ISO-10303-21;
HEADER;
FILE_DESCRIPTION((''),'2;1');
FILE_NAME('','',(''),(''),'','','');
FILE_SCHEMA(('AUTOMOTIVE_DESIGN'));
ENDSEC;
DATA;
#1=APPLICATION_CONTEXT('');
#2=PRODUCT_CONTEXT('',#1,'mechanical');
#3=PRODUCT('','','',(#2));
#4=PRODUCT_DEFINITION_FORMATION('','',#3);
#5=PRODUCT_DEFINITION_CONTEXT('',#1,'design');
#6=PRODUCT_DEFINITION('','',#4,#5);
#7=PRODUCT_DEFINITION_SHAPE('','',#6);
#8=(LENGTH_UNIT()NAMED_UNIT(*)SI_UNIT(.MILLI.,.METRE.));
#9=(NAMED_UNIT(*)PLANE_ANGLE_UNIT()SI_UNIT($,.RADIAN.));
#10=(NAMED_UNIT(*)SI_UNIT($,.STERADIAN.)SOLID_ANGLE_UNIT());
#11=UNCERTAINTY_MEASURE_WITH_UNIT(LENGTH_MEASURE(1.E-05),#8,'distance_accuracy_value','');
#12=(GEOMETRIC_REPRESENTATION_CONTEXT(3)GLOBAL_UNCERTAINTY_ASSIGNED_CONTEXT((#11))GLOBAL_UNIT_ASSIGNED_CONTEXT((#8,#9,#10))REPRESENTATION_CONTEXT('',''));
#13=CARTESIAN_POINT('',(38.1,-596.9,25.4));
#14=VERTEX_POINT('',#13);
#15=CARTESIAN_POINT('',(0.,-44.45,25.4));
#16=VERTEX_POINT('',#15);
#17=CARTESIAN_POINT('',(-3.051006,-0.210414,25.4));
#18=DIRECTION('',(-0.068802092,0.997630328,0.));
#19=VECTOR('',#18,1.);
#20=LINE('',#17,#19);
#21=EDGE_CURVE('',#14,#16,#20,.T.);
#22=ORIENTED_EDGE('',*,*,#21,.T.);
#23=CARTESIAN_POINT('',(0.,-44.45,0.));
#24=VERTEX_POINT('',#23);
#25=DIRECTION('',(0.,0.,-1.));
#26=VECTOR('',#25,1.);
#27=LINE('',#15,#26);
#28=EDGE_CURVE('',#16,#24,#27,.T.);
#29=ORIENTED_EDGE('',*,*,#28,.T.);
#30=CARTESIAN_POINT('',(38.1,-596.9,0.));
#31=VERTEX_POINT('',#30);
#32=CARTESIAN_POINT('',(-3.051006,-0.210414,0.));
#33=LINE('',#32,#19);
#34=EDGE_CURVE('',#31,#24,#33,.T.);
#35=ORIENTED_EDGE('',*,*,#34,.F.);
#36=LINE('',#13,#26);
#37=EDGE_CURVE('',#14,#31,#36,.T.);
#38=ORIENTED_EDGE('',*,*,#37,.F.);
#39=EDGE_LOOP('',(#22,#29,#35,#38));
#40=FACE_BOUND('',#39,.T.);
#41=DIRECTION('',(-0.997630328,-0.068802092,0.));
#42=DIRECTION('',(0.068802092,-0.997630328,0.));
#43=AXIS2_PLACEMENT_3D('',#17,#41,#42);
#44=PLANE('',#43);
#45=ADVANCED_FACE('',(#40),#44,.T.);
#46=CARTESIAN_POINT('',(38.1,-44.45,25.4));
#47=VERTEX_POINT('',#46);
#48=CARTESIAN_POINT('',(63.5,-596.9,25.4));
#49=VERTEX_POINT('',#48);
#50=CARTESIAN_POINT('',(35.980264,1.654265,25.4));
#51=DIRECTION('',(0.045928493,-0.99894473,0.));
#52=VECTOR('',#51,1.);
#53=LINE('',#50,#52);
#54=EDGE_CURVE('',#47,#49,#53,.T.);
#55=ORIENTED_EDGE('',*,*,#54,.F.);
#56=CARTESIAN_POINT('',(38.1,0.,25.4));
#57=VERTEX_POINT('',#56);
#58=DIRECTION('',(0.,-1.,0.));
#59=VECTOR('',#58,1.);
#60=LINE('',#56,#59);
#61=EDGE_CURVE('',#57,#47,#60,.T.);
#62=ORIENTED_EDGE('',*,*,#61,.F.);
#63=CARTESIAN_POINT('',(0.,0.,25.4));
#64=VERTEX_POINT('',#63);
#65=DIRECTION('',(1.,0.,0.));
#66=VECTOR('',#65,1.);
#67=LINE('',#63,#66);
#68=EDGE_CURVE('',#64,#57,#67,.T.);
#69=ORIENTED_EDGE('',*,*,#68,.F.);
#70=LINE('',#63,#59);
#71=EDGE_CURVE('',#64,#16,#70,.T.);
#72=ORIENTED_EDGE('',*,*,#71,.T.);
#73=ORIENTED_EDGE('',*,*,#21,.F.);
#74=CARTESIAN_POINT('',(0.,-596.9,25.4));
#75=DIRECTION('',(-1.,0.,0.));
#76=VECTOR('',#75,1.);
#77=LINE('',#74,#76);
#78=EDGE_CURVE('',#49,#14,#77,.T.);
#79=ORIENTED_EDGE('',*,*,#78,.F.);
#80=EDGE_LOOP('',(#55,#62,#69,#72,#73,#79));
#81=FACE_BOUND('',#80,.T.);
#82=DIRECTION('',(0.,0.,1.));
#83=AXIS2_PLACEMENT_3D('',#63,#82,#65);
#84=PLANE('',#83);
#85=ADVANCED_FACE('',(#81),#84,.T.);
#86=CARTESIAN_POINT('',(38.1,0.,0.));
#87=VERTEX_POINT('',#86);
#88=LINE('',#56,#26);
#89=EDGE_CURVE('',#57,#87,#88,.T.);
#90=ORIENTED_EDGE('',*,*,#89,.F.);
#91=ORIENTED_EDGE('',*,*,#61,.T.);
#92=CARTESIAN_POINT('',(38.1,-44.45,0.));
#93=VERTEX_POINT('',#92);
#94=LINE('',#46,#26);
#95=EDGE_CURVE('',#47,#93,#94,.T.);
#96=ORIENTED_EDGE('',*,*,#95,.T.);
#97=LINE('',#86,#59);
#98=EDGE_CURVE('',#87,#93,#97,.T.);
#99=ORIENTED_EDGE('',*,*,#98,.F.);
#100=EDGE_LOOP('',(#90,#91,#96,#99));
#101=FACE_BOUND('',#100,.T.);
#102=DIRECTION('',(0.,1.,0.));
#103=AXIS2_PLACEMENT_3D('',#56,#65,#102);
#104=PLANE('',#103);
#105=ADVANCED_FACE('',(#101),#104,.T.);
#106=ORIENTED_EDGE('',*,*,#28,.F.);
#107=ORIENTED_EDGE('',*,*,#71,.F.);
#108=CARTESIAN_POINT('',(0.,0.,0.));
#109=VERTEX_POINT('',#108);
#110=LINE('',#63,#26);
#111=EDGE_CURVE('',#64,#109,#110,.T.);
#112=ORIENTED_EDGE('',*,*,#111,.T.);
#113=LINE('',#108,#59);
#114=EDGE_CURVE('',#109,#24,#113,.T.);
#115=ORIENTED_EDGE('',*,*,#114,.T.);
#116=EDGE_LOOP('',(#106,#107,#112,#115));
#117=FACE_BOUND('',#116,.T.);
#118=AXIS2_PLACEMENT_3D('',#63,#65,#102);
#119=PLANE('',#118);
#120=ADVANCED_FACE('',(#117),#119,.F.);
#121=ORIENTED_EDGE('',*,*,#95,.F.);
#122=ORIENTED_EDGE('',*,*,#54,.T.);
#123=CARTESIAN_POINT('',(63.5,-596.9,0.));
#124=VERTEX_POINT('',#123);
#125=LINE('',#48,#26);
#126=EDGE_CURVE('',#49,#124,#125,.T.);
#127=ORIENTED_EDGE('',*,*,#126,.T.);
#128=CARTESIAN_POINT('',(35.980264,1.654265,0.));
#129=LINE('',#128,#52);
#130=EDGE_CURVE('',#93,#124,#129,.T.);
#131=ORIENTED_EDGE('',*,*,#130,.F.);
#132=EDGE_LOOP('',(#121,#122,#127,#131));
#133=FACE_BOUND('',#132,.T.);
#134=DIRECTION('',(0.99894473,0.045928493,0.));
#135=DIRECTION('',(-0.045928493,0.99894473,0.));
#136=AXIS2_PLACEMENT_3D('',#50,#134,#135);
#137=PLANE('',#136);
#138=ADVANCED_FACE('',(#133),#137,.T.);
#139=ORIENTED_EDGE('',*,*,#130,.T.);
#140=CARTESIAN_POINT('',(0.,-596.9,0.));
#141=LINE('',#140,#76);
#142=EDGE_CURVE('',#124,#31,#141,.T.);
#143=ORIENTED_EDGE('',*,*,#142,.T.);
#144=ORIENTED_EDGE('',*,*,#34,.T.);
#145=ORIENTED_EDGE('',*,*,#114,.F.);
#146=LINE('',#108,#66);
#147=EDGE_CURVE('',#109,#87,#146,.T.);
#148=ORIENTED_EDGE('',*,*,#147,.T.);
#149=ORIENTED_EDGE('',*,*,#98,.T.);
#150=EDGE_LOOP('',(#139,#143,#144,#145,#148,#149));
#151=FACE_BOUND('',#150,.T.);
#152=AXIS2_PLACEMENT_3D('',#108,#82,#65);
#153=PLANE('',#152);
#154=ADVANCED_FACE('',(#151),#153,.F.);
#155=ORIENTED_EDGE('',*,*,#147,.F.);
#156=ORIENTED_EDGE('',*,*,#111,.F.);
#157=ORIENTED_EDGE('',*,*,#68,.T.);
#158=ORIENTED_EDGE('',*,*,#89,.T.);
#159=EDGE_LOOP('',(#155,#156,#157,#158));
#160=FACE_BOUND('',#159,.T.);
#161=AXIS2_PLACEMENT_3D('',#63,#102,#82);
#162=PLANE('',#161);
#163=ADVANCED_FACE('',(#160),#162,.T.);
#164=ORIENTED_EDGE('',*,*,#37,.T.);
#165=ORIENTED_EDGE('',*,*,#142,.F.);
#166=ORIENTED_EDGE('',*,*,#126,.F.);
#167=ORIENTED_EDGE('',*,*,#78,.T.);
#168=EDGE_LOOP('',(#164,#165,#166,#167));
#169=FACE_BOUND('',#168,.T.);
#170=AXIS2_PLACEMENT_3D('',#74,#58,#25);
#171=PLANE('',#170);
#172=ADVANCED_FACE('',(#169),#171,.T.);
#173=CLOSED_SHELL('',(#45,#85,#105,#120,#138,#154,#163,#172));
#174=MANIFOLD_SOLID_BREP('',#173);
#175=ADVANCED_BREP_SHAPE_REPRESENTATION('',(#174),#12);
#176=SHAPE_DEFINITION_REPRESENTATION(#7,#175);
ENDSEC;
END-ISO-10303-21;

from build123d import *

# Parameters (mm, degrees)
SKETCH1_W           = 38.1
SKETCH1_H           = 44.45
BOSS_EXTRUDE1_DEPTH = 25.4


with BuildPart() as part:
    # Sketch1 → Boss-Extrude1 (new body)
    with BuildSketch(Plane.XY):
        with Locations((19.05, -22.225)):
            Rectangle(SKETCH1_W, SKETCH1_H)
        Polygon((38.1, -596.9), (0, -44.45), (38.1, -44.45), (63.5, -596.9), align=None)
    extrude(amount=BOSS_EXTRUDE1_DEPTH)


solid = part.part
